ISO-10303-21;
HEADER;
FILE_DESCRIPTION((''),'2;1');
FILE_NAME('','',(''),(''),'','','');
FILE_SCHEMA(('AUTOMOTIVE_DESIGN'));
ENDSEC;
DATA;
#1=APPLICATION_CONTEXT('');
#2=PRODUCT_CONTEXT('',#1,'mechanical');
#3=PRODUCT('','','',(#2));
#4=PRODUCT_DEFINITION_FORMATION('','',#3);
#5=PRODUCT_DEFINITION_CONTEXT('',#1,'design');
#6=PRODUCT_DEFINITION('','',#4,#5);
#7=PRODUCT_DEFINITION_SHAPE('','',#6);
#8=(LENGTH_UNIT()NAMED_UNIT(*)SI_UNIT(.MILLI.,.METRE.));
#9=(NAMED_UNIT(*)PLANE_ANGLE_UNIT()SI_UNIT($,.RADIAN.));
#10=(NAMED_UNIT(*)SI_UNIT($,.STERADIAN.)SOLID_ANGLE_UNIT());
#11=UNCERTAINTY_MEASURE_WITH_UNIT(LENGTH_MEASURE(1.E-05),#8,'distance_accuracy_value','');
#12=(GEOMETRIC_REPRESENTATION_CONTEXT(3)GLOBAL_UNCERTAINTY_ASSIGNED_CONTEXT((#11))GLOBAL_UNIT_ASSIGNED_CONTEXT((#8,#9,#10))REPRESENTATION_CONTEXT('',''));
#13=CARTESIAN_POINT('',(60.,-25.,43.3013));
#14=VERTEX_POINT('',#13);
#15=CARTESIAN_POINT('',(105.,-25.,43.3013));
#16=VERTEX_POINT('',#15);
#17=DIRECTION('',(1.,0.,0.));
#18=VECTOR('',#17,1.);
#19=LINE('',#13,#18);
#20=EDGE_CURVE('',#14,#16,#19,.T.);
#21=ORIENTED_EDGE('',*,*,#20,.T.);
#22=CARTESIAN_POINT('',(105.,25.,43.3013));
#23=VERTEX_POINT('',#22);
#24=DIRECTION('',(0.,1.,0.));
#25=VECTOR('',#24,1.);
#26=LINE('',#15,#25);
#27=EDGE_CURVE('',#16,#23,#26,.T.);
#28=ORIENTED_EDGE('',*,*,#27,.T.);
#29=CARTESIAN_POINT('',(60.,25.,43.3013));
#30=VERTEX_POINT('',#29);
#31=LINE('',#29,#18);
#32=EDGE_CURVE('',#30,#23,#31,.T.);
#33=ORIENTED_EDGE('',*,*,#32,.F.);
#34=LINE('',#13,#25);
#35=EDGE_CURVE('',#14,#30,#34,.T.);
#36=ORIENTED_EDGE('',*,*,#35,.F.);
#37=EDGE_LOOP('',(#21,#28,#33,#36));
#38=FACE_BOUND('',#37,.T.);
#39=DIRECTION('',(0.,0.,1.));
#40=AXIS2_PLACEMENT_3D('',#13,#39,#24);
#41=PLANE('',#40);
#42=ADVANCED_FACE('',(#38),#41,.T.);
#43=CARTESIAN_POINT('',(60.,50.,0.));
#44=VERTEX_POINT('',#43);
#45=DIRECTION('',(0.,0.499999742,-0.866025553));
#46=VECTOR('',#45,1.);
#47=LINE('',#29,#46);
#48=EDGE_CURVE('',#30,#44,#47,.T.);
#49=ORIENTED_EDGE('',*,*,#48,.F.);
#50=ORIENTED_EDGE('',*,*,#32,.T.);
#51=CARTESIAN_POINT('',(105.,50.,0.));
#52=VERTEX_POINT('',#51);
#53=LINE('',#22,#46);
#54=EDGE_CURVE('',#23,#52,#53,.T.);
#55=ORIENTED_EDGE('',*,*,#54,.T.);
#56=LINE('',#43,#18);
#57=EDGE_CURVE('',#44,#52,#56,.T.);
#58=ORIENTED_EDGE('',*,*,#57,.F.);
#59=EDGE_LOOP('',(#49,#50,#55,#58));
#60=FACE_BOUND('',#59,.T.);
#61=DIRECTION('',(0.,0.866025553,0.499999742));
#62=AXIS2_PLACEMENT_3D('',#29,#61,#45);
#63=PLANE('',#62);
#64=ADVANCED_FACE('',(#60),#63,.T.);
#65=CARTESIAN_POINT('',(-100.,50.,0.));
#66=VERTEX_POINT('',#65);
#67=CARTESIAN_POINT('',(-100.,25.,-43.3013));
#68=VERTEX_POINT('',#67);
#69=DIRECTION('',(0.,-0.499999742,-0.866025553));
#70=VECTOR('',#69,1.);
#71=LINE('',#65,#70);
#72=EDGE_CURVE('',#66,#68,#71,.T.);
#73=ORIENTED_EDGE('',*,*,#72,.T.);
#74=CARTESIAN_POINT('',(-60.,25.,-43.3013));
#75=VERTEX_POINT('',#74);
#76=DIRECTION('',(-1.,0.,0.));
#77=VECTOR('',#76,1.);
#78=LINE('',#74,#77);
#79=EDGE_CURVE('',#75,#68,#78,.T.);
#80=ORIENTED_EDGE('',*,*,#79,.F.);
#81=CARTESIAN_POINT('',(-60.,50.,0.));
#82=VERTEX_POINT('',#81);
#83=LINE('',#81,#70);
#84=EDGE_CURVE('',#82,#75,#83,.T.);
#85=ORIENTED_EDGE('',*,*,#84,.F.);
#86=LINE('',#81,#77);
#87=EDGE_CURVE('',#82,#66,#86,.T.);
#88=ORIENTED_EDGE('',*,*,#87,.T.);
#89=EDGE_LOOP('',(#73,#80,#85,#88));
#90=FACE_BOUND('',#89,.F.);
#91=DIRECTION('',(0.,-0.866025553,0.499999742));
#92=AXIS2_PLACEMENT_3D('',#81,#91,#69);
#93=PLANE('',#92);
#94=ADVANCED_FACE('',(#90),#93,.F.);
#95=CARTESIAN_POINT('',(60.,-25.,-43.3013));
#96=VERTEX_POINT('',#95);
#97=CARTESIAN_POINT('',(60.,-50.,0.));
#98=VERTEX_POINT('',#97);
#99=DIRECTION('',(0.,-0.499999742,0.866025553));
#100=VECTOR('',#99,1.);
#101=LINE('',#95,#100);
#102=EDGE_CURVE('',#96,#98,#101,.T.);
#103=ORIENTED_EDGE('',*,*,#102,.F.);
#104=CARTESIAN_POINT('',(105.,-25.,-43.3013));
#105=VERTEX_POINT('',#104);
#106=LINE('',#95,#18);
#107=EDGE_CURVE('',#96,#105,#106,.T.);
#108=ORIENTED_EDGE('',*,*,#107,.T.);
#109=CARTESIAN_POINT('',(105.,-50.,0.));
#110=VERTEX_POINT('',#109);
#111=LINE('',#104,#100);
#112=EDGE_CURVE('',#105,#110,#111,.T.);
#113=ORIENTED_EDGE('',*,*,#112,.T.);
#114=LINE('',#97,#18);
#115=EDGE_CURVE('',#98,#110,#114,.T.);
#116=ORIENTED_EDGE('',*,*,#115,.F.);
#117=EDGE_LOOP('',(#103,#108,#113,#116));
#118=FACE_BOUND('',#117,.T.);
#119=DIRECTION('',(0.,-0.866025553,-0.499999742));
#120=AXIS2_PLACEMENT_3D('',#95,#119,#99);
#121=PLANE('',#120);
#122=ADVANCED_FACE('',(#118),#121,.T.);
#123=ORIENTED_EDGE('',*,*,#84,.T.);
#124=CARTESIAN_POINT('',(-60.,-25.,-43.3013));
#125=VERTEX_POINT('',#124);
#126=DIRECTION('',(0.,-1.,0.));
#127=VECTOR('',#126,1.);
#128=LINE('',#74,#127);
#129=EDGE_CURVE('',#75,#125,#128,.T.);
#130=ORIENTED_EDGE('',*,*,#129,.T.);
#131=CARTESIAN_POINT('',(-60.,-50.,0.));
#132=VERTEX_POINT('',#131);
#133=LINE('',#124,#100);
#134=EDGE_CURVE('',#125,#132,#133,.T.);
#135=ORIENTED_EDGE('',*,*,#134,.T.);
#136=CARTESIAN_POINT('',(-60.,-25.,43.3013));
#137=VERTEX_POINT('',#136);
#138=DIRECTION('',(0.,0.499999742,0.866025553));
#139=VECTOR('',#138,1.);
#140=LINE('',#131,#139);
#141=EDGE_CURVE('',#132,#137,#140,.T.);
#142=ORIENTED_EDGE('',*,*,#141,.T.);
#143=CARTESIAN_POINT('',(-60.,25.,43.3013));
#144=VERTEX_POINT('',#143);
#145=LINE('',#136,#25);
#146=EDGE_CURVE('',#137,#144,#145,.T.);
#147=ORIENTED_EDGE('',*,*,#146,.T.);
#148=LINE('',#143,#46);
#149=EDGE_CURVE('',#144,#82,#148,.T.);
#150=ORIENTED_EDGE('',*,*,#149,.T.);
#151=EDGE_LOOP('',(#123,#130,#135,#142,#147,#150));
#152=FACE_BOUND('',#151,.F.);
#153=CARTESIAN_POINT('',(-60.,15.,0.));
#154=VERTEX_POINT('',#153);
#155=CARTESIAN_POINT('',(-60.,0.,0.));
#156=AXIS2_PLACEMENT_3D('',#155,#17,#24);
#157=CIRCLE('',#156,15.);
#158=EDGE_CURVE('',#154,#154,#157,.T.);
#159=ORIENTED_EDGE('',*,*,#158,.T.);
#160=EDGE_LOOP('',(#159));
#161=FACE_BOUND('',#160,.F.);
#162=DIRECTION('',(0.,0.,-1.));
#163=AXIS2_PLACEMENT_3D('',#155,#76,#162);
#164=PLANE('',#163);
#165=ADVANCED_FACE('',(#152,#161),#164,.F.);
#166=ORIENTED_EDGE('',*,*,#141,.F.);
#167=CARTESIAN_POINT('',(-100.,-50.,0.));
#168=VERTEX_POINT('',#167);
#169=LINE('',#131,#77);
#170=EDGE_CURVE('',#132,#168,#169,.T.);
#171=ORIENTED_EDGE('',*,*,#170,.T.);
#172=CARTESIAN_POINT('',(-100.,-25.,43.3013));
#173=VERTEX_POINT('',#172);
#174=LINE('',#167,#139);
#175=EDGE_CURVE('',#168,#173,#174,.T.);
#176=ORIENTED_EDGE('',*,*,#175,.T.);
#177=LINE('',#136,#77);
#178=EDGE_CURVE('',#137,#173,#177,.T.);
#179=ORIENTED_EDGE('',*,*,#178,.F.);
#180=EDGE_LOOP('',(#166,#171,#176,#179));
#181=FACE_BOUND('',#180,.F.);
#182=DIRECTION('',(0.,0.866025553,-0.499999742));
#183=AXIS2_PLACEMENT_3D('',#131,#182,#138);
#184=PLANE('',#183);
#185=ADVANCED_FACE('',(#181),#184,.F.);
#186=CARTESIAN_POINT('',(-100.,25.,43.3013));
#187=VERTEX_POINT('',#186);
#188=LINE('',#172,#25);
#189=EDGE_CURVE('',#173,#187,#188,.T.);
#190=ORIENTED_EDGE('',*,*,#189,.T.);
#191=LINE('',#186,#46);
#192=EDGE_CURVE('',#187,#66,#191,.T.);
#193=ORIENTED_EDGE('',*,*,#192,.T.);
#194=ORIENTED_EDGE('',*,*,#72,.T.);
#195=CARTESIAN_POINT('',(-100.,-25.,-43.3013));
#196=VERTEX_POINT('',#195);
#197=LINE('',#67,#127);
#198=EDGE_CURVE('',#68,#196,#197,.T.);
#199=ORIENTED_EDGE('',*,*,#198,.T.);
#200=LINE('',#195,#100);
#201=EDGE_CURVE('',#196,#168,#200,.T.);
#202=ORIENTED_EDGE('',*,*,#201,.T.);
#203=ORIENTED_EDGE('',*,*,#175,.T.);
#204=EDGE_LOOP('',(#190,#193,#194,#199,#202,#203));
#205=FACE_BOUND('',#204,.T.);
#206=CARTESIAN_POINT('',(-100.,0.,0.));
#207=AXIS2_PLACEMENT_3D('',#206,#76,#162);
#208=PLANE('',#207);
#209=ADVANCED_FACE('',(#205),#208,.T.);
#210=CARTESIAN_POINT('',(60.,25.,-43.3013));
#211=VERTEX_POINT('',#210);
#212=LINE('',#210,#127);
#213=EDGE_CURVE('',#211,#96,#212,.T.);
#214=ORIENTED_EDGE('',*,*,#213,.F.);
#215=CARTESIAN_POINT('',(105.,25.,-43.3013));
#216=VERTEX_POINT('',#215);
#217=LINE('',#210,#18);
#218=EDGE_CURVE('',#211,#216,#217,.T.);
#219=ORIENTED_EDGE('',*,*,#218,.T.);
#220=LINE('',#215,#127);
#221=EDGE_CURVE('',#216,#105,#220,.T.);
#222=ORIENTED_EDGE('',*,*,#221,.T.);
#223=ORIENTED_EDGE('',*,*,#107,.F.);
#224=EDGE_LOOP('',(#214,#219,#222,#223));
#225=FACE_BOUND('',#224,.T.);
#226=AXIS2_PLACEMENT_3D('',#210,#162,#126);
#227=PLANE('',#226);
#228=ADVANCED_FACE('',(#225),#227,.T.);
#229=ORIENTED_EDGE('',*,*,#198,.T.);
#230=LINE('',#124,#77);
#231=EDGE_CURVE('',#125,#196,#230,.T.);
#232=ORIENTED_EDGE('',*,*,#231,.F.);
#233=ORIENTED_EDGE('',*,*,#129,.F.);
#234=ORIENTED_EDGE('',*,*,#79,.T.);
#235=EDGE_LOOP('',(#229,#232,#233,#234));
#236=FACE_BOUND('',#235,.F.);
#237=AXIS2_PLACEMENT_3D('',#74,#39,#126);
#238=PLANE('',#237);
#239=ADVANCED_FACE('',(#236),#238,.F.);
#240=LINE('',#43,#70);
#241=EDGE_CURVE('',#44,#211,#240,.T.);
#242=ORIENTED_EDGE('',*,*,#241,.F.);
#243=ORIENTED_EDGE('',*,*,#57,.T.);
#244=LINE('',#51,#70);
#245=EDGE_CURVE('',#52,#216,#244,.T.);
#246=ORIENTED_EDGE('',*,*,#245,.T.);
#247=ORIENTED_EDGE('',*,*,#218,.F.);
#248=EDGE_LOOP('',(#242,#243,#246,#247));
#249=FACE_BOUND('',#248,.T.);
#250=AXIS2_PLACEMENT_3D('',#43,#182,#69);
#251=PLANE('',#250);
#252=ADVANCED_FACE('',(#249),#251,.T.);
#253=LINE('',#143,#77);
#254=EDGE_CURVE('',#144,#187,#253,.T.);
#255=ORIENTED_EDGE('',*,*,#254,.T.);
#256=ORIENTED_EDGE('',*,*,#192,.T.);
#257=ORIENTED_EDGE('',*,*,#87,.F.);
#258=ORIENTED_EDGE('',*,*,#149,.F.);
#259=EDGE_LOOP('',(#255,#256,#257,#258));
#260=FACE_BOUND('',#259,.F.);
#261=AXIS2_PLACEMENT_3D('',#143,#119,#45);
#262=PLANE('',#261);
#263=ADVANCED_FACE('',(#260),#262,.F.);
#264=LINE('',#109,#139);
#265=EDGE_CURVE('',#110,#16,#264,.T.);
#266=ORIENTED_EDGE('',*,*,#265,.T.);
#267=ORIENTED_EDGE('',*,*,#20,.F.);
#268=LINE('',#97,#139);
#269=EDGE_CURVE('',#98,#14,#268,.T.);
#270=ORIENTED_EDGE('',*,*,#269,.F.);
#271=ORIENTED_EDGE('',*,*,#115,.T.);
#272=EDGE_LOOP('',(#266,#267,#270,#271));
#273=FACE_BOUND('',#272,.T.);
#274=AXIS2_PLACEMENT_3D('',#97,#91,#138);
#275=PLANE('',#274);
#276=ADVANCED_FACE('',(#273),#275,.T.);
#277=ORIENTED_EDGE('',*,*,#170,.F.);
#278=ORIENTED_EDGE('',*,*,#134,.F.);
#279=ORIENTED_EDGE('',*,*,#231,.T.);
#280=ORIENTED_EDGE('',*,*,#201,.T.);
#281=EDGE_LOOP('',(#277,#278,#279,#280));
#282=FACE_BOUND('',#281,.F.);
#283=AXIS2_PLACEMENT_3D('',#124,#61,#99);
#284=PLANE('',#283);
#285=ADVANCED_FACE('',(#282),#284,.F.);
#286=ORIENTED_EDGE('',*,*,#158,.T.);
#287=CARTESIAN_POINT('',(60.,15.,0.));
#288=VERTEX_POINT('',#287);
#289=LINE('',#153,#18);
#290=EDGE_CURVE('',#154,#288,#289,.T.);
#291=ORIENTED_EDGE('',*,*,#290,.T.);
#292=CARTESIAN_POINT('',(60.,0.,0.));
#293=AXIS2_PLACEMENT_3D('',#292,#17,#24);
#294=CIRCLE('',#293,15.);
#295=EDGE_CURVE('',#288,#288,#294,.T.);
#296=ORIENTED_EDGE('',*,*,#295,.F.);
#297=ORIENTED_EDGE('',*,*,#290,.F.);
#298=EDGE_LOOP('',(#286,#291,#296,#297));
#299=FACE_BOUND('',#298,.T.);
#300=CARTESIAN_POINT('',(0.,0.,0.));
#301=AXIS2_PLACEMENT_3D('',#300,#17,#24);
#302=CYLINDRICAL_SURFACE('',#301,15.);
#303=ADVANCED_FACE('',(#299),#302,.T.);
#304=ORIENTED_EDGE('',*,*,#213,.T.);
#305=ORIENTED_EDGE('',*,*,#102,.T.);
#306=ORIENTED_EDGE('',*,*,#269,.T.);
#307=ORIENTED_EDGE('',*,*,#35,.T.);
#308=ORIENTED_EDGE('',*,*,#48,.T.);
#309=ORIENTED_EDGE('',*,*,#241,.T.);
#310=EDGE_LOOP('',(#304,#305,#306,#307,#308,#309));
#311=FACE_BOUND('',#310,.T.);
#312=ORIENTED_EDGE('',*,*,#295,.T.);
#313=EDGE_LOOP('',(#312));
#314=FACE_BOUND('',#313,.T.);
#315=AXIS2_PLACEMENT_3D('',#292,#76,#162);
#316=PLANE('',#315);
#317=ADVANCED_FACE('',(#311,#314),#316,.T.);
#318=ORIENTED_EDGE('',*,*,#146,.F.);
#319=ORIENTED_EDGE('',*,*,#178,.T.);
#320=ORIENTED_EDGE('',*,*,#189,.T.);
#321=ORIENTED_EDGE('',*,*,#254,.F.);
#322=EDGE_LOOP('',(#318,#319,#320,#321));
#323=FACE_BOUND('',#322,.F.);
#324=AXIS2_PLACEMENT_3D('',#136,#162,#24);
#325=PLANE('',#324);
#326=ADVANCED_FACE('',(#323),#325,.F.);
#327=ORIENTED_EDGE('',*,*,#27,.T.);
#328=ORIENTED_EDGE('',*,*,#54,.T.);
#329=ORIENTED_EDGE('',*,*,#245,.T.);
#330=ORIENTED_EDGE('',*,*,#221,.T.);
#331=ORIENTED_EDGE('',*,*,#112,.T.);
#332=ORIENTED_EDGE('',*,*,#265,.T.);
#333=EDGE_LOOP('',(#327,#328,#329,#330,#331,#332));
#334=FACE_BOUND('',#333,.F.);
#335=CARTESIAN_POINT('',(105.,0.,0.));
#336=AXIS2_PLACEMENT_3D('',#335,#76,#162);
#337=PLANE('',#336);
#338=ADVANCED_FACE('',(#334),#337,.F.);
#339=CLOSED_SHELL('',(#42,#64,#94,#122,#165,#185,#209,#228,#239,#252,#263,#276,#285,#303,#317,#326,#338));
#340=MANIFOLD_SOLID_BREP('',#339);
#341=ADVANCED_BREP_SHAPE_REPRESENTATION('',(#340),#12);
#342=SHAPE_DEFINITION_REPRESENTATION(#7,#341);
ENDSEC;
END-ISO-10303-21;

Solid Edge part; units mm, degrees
sketch "Sketch1" plane through (0, 0, 0) normal (1, 0, 0) x (0, 1, 0)
  circle A0 centre (0, 0) radius 15
  dimension "D1" = 30
extrude "Protrusion1" add sketch "Sketch1" along normal mid plane 120
sketch "Sketch2" plane through (-60, 0, 0) normal (-1, 0, 0) x (0, -1, 0)
  line L0 (-25, 43.3013) -> (-50, 0)
  line L1 (-50, 0) -> (-25, -43.3013)
  line L2 (-25, -43.3013) -> (25, -43.3013)
  line L3 (25, -43.3013) -> (50, 0)
  line L4 (50, 0) -> (25, 43.3013)
  line L5 (25, 43.3013) -> (-25, 43.3013)
extrude "ExtrudedProtrusion_2" add sketch "Sketch2" along normal blind 40
sketch "Sketch3" plane through (60, 0, 0) normal (1, 0, 0) x (0, -1, 0)
  line L0 (25, -43.3013) -> (-25, -43.3013)
  line L1 (-25, -43.3013) -> (-50, 0)
  line L2 (-50, 0) -> (-25, 43.3013)
  line L3 (-25, 43.3013) -> (25, 43.3013)
  line L4 (25, 43.3013) -> (50, 0)
  line L5 (50, 0) -> (25, -43.3013)
extrude "Protrusion2" add sketch "Sketch3" along normal blind 45
